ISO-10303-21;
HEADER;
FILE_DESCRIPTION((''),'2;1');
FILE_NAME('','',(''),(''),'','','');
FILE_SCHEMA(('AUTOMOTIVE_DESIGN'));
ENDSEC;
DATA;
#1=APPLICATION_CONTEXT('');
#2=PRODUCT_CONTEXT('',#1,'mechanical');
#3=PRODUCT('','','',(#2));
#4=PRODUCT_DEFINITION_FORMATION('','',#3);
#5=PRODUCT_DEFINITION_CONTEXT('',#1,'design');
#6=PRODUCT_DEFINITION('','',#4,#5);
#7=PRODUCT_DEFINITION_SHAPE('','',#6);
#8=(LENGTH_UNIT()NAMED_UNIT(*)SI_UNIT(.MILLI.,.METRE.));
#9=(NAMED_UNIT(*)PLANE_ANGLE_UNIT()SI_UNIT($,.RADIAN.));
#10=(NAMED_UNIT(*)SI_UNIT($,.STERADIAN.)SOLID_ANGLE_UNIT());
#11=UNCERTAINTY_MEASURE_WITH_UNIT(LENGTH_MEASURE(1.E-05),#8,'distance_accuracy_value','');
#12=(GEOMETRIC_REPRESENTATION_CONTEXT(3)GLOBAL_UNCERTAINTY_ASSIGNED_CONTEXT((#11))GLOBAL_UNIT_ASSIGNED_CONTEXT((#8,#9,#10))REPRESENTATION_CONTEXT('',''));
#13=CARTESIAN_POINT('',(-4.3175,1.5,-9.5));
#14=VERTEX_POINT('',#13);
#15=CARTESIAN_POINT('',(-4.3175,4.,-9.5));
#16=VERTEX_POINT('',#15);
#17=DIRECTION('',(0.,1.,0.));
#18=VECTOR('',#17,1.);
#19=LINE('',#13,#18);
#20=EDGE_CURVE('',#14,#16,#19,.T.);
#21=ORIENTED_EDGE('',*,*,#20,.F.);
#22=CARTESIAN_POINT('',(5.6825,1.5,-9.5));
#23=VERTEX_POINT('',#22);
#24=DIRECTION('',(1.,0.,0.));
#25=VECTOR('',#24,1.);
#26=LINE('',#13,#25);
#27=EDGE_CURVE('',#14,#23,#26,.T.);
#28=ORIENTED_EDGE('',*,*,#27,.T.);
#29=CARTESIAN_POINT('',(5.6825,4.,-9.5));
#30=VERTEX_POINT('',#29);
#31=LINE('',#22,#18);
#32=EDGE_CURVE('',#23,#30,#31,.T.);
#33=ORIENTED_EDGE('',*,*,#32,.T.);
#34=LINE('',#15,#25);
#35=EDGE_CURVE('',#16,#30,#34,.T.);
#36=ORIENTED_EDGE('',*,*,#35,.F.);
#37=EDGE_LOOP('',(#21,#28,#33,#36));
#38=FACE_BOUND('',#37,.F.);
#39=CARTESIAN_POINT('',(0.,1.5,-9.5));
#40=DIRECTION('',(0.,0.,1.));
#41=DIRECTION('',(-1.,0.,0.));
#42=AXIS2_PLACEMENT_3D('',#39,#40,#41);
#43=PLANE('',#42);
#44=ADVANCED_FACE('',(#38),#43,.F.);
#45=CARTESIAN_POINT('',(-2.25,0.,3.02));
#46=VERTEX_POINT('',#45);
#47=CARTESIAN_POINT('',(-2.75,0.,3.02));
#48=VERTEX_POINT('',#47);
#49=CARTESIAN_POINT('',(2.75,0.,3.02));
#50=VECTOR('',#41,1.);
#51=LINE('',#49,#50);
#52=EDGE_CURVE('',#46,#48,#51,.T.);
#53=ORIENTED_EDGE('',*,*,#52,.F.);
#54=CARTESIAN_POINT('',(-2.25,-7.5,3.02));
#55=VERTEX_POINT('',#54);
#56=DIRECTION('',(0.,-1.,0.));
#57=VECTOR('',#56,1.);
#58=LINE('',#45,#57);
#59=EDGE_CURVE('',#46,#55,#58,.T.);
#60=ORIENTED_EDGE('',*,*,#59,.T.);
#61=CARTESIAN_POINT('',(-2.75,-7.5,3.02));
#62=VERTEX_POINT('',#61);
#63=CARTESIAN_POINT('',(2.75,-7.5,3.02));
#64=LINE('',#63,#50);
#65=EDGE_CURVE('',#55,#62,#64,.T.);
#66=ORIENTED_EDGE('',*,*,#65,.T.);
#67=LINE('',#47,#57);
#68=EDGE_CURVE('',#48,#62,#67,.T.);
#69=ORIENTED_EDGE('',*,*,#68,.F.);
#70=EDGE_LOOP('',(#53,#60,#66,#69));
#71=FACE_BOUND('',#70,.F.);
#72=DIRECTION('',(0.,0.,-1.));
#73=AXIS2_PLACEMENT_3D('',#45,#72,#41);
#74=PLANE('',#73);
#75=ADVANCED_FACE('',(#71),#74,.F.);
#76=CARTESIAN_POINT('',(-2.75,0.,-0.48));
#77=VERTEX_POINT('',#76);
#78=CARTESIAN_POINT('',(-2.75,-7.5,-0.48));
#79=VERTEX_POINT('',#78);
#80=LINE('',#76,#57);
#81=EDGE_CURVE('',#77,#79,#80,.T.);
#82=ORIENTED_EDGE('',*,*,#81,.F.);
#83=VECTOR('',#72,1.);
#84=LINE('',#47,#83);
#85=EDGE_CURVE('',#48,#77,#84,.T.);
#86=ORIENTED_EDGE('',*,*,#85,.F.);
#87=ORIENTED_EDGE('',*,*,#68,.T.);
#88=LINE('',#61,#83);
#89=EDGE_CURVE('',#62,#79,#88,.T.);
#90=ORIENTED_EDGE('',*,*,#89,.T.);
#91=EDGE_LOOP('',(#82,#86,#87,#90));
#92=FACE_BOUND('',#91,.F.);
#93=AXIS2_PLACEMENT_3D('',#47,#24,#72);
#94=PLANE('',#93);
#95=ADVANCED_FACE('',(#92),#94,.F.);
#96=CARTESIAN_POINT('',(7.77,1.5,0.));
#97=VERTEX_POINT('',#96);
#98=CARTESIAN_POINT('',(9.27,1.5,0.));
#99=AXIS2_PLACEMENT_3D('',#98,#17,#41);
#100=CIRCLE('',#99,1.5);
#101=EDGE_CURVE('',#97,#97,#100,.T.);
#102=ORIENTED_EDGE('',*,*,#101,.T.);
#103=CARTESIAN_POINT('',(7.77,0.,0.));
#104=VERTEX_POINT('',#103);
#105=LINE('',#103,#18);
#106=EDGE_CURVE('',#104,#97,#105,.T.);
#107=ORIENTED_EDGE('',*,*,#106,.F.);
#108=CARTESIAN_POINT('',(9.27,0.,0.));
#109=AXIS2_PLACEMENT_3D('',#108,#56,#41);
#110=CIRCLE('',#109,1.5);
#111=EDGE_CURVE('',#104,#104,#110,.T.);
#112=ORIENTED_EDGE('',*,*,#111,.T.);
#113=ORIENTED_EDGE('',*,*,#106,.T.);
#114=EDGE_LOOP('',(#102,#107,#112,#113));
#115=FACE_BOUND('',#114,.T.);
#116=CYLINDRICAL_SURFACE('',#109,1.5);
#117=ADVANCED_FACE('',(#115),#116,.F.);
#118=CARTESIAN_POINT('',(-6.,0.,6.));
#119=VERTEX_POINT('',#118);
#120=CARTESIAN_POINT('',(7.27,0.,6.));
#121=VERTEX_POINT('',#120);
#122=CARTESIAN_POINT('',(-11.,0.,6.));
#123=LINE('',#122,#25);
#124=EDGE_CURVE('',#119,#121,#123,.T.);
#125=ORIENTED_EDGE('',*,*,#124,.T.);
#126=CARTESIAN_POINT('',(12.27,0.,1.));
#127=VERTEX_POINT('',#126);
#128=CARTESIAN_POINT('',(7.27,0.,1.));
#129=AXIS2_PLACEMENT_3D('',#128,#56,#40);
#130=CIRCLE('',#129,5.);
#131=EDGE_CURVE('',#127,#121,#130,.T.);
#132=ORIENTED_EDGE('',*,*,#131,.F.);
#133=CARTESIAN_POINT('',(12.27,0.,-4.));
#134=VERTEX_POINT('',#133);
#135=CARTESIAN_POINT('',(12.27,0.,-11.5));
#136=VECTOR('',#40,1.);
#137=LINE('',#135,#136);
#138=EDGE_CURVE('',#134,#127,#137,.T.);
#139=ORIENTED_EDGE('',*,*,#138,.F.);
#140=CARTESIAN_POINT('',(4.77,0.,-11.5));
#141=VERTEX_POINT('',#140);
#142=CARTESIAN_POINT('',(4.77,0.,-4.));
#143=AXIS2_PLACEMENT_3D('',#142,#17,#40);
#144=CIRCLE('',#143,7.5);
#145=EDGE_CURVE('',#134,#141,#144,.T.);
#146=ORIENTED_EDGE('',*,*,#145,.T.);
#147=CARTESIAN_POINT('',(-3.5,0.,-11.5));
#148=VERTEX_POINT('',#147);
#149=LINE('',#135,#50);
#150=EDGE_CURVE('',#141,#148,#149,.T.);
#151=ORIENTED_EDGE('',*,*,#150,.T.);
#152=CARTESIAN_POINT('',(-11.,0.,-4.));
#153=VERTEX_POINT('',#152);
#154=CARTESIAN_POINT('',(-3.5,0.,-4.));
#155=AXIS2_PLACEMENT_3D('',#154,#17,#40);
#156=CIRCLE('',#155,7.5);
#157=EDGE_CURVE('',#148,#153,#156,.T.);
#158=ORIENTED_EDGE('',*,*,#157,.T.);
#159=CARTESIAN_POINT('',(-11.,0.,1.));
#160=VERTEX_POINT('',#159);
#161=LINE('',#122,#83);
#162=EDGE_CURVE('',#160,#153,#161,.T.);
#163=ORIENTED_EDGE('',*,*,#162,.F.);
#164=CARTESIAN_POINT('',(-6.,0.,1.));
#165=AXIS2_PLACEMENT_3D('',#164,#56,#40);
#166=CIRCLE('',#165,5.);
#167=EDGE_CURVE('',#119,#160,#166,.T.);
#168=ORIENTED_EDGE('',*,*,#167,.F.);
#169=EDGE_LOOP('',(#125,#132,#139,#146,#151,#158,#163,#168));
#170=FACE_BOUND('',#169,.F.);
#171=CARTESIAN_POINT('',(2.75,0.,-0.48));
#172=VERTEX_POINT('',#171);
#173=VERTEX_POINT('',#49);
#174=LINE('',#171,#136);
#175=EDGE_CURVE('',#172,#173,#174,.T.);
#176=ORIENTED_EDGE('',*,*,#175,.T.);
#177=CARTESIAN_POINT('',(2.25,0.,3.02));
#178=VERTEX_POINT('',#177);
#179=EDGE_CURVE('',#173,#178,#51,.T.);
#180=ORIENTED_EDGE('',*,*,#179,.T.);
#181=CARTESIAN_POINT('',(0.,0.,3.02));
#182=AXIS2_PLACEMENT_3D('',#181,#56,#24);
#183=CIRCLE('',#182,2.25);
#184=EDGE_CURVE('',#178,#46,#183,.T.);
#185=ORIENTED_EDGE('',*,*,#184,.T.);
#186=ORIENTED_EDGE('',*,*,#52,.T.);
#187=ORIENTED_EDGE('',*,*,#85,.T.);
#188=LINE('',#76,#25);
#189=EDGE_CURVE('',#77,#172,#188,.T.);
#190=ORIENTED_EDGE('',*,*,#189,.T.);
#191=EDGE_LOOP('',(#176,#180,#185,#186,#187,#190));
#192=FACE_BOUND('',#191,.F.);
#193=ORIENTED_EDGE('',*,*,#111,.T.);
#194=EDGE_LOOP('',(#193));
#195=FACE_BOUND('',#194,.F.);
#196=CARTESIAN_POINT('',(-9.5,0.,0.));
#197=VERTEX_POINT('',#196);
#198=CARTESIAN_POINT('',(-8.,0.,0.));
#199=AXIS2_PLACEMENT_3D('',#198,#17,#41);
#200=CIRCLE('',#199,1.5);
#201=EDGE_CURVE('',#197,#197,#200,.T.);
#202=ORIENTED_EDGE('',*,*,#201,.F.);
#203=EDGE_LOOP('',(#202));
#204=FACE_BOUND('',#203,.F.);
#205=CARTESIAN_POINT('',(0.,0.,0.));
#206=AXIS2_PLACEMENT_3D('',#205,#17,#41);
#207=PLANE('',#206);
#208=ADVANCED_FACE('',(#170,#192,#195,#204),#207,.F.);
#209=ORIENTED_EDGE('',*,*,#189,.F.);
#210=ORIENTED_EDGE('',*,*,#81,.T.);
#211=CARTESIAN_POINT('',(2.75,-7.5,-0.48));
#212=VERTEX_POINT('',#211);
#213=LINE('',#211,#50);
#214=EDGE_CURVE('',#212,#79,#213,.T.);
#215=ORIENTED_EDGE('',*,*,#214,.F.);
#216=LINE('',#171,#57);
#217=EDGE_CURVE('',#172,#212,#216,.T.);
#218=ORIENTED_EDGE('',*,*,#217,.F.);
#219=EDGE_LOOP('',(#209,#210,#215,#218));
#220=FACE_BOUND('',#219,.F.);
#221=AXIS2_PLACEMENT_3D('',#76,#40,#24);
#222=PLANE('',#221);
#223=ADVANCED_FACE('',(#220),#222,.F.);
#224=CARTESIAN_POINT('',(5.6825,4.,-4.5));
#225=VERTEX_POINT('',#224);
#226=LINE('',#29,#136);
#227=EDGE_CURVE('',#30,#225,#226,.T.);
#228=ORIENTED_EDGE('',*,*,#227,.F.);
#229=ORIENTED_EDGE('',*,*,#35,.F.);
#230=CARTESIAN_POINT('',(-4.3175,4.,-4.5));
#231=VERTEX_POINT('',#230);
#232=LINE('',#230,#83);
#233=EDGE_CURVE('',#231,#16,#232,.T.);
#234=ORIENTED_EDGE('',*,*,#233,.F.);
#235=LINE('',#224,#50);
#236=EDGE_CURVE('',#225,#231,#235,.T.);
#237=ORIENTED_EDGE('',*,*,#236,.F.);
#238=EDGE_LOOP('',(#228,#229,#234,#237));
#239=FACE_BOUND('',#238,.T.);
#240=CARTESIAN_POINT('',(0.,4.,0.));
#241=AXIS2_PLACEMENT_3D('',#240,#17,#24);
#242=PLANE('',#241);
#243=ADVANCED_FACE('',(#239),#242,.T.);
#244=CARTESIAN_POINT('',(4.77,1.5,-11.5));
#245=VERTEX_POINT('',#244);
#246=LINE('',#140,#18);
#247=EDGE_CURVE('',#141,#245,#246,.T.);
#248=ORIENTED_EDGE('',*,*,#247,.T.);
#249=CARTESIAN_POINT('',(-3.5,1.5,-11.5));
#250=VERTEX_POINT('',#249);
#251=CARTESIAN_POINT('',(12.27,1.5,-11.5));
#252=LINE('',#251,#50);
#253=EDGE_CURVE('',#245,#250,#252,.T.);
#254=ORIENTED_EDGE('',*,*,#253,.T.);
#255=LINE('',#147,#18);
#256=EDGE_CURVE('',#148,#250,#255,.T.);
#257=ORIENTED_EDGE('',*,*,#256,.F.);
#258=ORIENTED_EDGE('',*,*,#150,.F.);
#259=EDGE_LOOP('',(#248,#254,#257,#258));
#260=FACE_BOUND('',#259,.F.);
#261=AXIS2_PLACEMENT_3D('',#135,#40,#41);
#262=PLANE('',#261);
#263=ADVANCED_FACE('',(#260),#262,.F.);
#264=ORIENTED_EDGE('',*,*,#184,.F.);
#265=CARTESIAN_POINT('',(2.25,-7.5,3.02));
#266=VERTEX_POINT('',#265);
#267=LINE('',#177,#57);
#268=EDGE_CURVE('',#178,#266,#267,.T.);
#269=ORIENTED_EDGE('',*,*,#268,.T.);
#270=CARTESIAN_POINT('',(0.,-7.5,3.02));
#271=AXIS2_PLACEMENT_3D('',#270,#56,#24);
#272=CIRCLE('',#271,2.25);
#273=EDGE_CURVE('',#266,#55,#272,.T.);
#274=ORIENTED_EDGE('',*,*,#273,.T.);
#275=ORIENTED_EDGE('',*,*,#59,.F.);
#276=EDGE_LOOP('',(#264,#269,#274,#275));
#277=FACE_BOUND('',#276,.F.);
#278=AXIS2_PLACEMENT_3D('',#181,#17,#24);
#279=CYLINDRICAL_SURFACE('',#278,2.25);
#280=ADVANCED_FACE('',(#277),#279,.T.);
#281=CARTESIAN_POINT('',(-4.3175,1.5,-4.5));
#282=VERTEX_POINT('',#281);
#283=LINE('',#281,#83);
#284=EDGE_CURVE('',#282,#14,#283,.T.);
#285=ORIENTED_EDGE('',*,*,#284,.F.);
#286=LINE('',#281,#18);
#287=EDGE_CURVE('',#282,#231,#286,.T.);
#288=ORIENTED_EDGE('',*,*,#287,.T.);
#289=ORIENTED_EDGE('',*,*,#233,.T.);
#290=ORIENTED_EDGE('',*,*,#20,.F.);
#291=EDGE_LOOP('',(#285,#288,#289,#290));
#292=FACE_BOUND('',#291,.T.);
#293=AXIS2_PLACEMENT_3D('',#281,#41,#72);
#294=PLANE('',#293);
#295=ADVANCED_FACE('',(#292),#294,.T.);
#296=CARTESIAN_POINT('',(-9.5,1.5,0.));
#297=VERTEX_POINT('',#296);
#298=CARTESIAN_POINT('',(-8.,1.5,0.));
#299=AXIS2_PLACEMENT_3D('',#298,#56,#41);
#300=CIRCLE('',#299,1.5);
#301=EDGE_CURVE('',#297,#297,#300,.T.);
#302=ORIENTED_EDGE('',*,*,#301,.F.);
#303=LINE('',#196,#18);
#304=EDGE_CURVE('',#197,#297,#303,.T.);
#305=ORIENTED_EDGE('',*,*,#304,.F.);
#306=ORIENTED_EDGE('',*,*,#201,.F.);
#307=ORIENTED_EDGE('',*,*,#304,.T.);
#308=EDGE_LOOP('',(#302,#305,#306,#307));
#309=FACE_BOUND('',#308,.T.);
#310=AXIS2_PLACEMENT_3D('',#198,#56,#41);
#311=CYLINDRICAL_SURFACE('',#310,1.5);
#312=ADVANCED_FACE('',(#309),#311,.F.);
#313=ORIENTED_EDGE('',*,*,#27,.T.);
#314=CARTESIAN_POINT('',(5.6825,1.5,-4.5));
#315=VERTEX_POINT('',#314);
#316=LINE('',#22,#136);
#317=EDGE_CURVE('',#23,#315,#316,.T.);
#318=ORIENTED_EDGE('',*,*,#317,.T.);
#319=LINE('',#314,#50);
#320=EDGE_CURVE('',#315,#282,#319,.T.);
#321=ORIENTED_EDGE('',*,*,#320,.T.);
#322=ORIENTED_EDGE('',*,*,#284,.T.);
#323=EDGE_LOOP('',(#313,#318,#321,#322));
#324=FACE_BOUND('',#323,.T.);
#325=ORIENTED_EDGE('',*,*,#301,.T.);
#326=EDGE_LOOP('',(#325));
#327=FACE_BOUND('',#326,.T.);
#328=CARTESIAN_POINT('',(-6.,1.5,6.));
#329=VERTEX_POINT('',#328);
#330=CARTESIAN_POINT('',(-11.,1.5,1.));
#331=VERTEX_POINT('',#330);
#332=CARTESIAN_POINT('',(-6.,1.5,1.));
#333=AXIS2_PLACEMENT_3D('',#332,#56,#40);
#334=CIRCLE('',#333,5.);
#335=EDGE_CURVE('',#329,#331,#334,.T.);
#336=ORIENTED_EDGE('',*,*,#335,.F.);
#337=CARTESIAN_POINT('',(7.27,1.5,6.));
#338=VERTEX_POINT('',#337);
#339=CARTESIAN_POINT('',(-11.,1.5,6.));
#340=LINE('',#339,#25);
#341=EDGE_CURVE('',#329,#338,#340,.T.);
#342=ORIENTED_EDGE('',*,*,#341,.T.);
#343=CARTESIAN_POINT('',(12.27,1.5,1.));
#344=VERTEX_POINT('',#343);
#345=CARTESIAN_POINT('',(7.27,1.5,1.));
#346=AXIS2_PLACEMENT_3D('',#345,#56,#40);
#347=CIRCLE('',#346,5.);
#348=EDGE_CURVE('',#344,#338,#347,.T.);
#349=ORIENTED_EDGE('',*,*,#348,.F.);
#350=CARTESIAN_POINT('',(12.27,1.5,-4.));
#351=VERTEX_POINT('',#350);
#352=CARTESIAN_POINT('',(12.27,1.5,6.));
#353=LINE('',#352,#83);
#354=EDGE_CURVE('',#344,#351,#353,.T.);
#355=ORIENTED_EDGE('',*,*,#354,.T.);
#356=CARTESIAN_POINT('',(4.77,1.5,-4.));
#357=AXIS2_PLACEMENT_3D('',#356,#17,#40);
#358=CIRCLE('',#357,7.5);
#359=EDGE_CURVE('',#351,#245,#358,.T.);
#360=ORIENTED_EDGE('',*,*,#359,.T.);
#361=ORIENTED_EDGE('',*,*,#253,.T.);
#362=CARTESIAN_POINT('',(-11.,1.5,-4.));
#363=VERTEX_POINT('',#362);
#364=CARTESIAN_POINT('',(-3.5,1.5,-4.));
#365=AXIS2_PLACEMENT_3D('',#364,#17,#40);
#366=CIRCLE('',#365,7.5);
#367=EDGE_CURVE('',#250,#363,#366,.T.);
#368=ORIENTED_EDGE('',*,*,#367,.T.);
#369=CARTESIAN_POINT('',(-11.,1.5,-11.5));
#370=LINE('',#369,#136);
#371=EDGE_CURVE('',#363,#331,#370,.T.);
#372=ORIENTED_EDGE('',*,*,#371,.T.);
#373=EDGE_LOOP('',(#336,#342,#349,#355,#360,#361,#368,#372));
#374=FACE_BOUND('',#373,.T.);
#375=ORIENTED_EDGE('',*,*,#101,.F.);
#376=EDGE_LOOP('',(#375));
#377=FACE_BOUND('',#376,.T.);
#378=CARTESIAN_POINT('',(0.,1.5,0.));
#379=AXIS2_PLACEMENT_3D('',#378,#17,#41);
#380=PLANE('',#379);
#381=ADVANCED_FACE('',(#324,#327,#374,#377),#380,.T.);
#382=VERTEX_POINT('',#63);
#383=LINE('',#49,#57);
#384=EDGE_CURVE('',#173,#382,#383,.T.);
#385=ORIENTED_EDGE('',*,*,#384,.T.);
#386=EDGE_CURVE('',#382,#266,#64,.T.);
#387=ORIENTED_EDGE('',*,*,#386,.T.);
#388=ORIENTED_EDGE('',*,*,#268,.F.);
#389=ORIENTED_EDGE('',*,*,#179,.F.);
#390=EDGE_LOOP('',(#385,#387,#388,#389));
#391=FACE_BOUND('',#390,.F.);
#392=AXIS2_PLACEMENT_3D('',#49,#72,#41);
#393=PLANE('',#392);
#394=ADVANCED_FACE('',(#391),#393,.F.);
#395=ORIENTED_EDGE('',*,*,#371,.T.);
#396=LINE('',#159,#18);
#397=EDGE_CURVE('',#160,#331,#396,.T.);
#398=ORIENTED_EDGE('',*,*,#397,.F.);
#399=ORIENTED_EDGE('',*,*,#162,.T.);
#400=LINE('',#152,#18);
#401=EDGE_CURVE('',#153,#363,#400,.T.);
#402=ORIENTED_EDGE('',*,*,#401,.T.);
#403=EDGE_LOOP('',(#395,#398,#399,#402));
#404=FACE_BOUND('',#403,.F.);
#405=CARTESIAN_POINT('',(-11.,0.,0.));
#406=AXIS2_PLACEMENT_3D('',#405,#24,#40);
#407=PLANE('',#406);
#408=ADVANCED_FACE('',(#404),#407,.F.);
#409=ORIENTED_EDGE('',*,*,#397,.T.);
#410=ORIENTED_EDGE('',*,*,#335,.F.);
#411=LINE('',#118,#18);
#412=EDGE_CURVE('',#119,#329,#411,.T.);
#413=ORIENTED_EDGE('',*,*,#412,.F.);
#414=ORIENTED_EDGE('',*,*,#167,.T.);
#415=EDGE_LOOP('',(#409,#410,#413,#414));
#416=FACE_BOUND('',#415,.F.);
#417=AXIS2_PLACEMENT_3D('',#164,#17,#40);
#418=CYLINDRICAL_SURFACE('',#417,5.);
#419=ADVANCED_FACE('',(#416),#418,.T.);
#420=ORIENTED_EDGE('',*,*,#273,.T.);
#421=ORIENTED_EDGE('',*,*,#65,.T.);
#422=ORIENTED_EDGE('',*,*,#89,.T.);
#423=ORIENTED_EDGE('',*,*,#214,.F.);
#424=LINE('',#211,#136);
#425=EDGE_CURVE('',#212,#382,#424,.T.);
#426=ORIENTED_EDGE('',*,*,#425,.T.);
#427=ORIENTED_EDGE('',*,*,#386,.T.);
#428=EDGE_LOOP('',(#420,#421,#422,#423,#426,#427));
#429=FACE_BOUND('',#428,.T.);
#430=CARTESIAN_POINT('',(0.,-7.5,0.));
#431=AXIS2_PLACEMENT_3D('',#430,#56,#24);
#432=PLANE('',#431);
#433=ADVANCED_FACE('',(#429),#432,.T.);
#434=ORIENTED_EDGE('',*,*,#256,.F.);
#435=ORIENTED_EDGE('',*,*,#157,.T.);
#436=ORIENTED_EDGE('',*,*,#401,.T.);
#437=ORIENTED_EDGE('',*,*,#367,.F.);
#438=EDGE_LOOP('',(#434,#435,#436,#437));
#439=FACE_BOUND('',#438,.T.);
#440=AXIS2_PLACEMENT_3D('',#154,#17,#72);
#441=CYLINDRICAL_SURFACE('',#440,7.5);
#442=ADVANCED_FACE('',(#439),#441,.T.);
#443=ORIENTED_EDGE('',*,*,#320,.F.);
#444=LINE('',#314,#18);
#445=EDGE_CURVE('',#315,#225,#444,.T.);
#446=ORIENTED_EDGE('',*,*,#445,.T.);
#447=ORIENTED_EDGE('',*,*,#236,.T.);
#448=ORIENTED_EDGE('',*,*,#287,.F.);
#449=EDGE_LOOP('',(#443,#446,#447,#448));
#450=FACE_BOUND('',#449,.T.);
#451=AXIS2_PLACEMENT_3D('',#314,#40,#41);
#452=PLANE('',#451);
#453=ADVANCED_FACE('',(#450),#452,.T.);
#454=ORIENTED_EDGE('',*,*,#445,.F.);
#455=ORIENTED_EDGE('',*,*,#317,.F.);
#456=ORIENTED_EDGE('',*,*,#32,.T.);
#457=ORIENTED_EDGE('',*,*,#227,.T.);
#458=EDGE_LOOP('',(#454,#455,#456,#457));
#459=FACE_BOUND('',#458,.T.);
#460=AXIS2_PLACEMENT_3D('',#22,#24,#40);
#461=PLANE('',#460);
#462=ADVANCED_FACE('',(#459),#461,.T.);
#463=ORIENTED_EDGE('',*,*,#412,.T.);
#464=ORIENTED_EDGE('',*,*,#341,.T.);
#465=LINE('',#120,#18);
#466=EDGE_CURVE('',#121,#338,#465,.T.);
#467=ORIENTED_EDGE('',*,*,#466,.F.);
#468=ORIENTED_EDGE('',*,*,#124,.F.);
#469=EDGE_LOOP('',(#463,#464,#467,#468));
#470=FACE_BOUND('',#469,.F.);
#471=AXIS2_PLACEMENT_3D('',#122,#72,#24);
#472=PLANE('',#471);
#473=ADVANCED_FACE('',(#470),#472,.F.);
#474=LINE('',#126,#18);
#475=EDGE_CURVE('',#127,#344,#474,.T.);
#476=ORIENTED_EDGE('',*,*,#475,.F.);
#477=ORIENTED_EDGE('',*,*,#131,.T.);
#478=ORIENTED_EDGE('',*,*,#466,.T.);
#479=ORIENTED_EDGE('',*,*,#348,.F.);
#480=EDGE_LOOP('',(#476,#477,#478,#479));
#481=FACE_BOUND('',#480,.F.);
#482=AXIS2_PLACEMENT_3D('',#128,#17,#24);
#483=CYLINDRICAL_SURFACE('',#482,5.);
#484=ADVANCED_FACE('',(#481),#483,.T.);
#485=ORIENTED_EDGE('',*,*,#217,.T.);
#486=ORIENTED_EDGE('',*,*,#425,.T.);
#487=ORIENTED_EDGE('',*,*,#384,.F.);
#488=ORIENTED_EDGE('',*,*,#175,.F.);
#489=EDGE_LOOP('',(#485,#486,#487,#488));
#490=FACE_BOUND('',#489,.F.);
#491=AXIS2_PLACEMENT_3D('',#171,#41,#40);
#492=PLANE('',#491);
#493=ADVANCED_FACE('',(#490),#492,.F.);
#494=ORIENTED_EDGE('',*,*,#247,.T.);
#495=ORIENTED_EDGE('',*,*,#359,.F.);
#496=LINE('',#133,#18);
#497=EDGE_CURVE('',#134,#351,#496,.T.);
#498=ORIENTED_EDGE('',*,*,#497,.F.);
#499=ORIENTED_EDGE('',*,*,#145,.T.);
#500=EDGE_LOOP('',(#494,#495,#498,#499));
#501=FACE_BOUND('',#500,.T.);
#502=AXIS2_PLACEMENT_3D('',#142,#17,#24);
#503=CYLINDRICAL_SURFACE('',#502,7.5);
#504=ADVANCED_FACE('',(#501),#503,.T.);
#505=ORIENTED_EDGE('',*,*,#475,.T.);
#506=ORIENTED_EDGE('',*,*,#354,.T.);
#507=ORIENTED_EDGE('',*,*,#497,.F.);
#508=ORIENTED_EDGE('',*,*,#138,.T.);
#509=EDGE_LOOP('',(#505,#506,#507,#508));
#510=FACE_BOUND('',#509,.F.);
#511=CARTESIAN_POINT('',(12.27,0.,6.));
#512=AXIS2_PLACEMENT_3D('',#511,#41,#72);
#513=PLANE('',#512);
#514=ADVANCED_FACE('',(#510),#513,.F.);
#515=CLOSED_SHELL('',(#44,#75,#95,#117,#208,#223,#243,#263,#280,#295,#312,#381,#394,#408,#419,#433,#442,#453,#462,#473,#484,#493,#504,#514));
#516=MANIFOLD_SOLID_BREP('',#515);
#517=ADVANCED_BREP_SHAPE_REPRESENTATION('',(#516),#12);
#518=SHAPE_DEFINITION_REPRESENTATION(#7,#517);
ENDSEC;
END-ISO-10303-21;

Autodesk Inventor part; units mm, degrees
ref_plane "YZ Plane" through (0, 0, 0) normal (1, 0, 0) x (0, 1, 0)
ref_plane "XZ Plane" through (0, 0, 0) normal (0, 1, 0) x (-1, 0, 0)
ref_plane "XY Plane" through (0, 0, 0) normal (0, 0, 1) x (1, 0, 0)
sketch "Sketch1" plane through (0, 0, 0) normal (0, 1, 0) x (-1, 0, 0)
  line L0 (0, 0) -> (8, 0)
  line L1 (0, 0) -> (-9.27, 0)
  circle A0 centre (8, 0) radius 1.5
  circle A1 centre (-9.27, 0) radius 1.5
  line L2 (8, 0) -> (11, 0)
  line L3 (-9.27, 0) -> (-12.27, 0)
  line L4 (11, 0) -> (11, 6)
  line L5 (-12.27, 0) -> (-12.27, -11.5)
  line L6 (11, 6) -> (-12.27, 6)
  line L7 (-12.27, 6) -> (-12.27, -11.5)
  line L8 (-12.27, -11.5) -> (11, -11.5)
  line L9 (11, -11.5) -> (11, 6)
  dimension "d0" = 8
  dimension "d1" = 9.27
  dimension "d2" = 3
  dimension "d3" = 3
  dimension "d4" = 3
  dimension "d5" = 3
  dimension "d6" = 6
  dimension "d7" = 11.5
extrude "Extrusion1" add sketch "Sketch1" along normal blind 1.5 contours L1 A1 L3 L7 L6 L4 L2 A0 L0 | L0 A0 L2 L9 L8 L5 L3 A1 L1
fillet "Fillet1" radius 5 2 edges at (-11, 0.75, 6) (12.27, 0.75, 6)
fillet "Fillet2" radius 7.5 2 edges at (-11, 0.75, -11.5) (12.27, 0.75, -11.5)
sketch "Sketch2" plane through (0, 1.5, 0) normal (0, 1, 0) x (1, 0, 0)
  line L0 (4.77, 11.5) -> (-3.5, 11.5) projected
  line L1 (0, 11.5) -> (1.365, 11.5)
  line L2 (1.365, 11.5) -> (0, 11.5)
  line L3 (0, 11.5) -> (0, 9.5)
  line L4 (0, 9.5) -> (-4.3175, 9.5)
  line L5 (-4.3175, 9.5) -> (5.6825, 9.5)
  line L6 (5.6825, 9.5) -> (5.6825, 4.5)
  line L7 (5.6825, 4.5) -> (-4.3175, 4.5)
  line L8 (-4.3175, 4.5) -> (-4.3175, 9.5)
  point P0 (0, 0)
  dimension "d12" = 1.365
  dimension "d13" = 2
  dimension "d14" = 4.3175
  dimension "d15" = 10
  dimension "d16" = 5
extrude "Extrusion2" add sketch "Sketch2" along normal blind 2.5
sketch "Sketch3" plane through (0, 0, 0) normal (0, -1, 0) x (1, 0, 0)
  line L0 (0, 0) -> (0, -0.48)
  line L1 (0, -0.48) -> (2.75, -0.48)
  line L2 (2.75, -0.48) -> (2.75, 3.02)
  line L3 (2.75, 3.02) -> (-2.75, 3.02)
  line L4 (-2.75, 3.02) -> (-2.75, -0.48)
  line L5 (-2.75, -0.48) -> (0, -0.48)
  circle A0 centre (0, 3.02) radius 2.25
  dimension "d19" = 0.48
  dimension "d20" = 2.75
  dimension "d21" = 3.5
  dimension "d22" = 5.5
  dimension "d23" = 4.5
extrude "Extrusion3" add sketch "Sketch3" along normal blind 7.5
properties part number "TSSP Board"
